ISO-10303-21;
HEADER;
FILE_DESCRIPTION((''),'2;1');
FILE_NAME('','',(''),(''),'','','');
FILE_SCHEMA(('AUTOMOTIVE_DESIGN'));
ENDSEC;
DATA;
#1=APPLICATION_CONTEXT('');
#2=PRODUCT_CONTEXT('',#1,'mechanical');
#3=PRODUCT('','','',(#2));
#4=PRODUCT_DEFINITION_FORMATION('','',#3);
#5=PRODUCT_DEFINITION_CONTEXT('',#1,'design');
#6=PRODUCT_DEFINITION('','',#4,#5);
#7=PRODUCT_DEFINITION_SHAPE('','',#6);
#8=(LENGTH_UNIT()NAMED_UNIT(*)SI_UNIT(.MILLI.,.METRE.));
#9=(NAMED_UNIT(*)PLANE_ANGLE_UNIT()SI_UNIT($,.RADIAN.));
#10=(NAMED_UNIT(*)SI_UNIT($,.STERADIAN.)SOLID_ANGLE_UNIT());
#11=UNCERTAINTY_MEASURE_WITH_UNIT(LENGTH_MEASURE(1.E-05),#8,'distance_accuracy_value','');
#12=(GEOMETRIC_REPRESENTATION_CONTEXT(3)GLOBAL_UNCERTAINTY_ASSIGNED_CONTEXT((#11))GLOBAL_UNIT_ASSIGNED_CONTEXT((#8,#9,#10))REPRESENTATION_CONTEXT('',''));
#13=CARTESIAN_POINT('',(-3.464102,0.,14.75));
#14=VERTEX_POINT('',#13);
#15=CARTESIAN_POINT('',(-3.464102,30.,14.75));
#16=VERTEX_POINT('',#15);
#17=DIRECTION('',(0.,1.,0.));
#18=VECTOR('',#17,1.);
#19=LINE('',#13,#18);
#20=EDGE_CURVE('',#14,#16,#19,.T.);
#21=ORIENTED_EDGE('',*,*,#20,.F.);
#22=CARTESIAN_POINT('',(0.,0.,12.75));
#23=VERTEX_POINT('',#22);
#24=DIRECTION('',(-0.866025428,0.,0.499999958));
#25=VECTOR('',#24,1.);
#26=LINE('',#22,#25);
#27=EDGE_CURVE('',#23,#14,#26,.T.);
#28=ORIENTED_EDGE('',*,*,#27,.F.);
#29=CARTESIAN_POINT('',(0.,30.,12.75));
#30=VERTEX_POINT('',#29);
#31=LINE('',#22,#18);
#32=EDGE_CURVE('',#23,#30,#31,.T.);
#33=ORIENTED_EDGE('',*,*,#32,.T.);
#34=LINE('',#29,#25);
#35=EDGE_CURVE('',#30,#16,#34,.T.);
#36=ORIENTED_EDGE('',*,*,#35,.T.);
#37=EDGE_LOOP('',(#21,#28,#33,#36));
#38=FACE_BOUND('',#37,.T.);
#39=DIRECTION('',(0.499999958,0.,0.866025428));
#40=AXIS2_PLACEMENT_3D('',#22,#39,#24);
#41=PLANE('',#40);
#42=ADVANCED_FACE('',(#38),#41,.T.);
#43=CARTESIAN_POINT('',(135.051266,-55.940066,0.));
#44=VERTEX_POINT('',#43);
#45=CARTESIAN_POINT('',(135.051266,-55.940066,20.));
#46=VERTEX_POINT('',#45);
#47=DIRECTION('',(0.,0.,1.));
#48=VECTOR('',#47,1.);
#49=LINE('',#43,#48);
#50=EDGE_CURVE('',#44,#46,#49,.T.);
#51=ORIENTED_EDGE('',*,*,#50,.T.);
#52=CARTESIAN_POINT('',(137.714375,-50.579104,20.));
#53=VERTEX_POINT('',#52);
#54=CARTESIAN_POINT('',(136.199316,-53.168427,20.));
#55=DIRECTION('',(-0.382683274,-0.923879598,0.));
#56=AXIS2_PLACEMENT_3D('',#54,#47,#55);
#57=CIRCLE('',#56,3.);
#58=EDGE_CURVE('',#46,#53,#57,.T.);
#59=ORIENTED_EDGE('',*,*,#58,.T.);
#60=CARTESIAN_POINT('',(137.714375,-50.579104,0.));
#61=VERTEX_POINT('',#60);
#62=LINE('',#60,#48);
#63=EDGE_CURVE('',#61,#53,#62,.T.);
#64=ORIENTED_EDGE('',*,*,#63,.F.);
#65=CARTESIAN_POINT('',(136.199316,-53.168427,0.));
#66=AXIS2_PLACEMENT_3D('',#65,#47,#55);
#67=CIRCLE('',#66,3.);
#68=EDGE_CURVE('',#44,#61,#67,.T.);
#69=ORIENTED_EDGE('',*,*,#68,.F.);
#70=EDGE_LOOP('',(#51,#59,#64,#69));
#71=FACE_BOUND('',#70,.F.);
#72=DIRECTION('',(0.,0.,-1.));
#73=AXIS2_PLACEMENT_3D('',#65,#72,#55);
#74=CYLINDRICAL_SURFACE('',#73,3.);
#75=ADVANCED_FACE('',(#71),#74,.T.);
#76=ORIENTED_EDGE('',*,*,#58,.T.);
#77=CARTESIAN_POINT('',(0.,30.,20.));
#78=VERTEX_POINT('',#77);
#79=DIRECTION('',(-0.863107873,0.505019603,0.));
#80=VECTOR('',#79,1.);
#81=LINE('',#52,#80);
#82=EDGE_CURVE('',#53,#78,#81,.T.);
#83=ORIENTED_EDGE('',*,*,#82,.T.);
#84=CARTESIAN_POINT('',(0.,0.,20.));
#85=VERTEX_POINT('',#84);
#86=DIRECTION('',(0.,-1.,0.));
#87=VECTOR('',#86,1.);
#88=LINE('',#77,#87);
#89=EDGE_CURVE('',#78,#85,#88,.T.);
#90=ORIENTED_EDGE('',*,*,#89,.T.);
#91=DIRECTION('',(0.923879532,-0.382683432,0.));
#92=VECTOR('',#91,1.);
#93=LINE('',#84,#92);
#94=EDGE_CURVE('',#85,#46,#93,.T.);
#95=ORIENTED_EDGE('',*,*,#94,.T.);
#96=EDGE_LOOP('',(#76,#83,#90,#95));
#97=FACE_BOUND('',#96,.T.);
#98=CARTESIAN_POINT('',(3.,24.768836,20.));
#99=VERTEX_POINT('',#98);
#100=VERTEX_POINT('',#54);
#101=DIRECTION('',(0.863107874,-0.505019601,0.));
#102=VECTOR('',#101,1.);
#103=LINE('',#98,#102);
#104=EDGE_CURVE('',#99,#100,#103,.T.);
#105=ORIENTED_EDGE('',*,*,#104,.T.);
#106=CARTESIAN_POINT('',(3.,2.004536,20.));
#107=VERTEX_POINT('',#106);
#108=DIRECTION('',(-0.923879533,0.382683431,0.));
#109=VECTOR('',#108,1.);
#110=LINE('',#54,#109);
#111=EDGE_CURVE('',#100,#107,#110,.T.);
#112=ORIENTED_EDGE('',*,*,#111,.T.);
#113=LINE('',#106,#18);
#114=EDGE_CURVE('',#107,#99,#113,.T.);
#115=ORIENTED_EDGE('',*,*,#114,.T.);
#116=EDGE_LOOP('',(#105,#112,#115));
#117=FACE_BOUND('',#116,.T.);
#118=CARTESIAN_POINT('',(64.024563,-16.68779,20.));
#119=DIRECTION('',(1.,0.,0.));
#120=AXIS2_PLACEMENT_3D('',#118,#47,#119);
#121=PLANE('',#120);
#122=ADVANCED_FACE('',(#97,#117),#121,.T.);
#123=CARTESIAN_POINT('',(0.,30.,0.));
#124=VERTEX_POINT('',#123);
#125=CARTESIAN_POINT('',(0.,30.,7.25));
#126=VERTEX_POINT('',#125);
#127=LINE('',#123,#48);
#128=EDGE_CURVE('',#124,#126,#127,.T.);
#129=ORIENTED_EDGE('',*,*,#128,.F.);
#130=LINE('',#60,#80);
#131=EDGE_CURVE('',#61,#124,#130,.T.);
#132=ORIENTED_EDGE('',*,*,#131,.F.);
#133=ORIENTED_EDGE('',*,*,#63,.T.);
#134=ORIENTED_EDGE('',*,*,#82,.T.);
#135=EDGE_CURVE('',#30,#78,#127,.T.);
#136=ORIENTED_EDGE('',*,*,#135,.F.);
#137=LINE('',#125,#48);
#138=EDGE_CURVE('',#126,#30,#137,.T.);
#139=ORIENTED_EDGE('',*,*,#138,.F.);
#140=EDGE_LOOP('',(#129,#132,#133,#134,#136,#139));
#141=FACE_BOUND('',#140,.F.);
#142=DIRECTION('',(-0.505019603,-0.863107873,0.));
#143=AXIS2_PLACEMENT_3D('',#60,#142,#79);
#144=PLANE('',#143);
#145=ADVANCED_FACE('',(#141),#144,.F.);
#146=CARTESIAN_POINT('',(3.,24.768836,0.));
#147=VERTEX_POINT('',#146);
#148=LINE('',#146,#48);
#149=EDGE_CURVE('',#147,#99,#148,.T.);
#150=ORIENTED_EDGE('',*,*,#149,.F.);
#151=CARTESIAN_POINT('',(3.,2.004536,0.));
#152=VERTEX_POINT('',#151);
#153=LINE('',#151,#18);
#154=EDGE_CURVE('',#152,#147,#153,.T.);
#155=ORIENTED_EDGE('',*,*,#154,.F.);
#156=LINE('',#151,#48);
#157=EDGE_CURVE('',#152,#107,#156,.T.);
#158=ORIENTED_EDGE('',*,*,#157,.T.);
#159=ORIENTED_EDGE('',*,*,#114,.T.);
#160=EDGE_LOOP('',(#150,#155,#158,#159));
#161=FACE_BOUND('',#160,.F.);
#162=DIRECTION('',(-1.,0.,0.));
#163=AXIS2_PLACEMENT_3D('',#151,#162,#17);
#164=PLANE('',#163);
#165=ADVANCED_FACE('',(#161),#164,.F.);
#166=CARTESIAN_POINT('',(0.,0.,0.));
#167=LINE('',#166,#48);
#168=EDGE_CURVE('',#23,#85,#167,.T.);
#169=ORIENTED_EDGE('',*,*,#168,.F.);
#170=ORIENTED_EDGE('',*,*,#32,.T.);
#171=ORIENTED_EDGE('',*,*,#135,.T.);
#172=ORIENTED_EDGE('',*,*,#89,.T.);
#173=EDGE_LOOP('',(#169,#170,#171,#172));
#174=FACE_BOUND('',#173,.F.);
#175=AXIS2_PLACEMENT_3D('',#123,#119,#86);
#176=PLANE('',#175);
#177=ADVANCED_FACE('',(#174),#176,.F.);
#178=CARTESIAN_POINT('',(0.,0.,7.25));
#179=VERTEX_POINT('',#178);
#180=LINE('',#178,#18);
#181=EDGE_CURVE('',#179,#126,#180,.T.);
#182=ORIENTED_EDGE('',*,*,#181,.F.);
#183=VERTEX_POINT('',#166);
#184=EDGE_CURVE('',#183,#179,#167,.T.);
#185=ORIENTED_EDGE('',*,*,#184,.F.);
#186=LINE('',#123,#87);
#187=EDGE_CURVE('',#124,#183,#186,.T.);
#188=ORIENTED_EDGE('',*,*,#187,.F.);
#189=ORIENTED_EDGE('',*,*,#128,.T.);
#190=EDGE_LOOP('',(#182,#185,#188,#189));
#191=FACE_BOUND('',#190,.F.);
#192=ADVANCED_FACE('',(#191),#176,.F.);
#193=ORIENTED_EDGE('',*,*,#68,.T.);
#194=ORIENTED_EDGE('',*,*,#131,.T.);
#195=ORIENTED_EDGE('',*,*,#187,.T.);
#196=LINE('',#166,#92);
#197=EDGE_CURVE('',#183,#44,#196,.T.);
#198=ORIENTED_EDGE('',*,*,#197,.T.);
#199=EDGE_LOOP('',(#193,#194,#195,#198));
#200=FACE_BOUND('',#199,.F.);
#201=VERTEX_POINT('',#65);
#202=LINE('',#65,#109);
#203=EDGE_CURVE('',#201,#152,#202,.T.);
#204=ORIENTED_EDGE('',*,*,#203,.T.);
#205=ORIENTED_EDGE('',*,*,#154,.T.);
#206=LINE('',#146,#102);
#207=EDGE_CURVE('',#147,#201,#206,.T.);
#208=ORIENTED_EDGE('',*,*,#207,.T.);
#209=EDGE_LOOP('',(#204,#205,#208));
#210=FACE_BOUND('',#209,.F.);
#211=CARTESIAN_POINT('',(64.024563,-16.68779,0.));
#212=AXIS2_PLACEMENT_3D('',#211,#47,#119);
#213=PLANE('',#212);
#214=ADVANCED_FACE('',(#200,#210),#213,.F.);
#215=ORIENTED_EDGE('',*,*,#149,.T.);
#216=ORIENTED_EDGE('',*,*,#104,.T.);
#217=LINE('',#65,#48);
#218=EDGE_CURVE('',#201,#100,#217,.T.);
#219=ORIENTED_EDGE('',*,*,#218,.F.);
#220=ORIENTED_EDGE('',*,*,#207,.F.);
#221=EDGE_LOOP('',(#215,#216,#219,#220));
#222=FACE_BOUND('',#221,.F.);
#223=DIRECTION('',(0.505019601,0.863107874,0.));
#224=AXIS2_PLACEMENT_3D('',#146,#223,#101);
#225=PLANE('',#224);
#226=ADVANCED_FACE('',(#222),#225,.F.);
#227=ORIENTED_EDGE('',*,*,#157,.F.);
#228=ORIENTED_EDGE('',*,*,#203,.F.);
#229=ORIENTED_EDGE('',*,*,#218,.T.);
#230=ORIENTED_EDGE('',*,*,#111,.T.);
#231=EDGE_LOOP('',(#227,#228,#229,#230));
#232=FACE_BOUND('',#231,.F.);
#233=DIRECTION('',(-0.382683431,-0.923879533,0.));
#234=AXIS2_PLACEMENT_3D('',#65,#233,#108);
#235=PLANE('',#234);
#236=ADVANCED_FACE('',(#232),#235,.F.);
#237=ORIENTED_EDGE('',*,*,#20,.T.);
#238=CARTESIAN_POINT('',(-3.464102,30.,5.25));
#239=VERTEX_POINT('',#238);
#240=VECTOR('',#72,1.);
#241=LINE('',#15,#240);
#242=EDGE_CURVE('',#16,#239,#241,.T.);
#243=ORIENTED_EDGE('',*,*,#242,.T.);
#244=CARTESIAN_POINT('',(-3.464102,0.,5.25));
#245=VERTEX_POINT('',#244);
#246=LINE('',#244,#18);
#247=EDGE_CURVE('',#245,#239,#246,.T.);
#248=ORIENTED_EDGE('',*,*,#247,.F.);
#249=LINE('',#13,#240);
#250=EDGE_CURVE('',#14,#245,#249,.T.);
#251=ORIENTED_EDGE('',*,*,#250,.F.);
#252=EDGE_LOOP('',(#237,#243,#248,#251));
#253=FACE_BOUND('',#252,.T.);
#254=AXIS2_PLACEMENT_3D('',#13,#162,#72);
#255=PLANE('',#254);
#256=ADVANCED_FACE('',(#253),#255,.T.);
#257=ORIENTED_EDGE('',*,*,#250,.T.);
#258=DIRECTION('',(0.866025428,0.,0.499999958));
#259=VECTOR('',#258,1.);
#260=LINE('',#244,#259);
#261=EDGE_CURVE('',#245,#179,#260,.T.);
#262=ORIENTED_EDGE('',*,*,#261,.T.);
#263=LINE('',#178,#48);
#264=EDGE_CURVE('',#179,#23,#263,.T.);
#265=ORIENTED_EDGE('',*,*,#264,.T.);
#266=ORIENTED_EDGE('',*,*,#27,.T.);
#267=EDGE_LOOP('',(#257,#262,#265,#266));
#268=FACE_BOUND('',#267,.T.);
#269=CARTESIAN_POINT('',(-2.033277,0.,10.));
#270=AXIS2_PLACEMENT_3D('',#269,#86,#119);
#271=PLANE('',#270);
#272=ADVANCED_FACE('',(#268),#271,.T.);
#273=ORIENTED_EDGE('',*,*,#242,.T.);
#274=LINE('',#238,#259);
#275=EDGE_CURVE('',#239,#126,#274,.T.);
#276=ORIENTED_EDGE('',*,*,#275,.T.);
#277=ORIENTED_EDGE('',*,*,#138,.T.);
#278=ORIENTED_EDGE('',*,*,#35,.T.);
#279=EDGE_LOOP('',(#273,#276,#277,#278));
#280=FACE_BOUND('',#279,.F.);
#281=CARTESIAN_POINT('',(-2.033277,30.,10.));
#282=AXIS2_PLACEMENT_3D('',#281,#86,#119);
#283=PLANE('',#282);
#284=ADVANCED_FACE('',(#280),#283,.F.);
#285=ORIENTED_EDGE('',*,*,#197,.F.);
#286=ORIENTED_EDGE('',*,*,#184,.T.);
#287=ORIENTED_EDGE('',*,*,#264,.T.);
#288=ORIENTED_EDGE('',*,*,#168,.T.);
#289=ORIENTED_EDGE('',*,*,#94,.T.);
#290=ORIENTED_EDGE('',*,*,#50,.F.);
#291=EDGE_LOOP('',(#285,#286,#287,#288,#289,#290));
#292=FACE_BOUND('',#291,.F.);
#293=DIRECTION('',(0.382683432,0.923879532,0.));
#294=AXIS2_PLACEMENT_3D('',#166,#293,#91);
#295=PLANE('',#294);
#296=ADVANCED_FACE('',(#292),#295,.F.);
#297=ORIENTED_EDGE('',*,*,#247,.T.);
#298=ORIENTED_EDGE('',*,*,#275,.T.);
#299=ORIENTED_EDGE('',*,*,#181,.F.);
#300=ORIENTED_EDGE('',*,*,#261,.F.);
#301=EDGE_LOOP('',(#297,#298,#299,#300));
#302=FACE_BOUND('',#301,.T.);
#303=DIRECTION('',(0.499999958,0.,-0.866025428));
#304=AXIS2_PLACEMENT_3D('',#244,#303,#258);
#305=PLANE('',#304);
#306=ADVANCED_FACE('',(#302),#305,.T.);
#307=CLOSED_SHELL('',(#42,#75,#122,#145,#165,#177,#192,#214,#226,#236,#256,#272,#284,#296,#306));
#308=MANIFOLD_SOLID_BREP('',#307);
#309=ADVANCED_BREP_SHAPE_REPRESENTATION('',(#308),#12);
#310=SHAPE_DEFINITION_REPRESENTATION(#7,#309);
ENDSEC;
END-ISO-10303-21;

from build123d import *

# Parameters (mm, degrees)
F1_DEPTH = 20
F3_DEPTH = 30


with BuildPart() as f1:
    # F0 (on Top) → F1 (new body)
    with BuildSketch(Plane.XY):
        with BuildLine():
            Line((0, 30), (0, 0))
            Line((0, 0), (135.051266, -55.940066))
            ThreePointArc((135.051266, -55.940066), (138.886071, -54.503098), (137.714375, -50.579104))
            Line((137.714375, -50.579104), (0, 30))
        make_face()
        Polygon((3, 2.004536), (3, 24.768836), (136.199316, -53.168427), align=None, mode=Mode.SUBTRACT)
    extrude(amount=F1_DEPTH)

    # F2 (on Front) → F3 (join)
    with BuildSketch(Plane.XZ):
        Polygon((0, 7.25), (0, 12.75), (-3.464102, 14.75), (-3.464102, 5.25), align=None)
    extrude(amount=-F3_DEPTH)


solid = f1.part
